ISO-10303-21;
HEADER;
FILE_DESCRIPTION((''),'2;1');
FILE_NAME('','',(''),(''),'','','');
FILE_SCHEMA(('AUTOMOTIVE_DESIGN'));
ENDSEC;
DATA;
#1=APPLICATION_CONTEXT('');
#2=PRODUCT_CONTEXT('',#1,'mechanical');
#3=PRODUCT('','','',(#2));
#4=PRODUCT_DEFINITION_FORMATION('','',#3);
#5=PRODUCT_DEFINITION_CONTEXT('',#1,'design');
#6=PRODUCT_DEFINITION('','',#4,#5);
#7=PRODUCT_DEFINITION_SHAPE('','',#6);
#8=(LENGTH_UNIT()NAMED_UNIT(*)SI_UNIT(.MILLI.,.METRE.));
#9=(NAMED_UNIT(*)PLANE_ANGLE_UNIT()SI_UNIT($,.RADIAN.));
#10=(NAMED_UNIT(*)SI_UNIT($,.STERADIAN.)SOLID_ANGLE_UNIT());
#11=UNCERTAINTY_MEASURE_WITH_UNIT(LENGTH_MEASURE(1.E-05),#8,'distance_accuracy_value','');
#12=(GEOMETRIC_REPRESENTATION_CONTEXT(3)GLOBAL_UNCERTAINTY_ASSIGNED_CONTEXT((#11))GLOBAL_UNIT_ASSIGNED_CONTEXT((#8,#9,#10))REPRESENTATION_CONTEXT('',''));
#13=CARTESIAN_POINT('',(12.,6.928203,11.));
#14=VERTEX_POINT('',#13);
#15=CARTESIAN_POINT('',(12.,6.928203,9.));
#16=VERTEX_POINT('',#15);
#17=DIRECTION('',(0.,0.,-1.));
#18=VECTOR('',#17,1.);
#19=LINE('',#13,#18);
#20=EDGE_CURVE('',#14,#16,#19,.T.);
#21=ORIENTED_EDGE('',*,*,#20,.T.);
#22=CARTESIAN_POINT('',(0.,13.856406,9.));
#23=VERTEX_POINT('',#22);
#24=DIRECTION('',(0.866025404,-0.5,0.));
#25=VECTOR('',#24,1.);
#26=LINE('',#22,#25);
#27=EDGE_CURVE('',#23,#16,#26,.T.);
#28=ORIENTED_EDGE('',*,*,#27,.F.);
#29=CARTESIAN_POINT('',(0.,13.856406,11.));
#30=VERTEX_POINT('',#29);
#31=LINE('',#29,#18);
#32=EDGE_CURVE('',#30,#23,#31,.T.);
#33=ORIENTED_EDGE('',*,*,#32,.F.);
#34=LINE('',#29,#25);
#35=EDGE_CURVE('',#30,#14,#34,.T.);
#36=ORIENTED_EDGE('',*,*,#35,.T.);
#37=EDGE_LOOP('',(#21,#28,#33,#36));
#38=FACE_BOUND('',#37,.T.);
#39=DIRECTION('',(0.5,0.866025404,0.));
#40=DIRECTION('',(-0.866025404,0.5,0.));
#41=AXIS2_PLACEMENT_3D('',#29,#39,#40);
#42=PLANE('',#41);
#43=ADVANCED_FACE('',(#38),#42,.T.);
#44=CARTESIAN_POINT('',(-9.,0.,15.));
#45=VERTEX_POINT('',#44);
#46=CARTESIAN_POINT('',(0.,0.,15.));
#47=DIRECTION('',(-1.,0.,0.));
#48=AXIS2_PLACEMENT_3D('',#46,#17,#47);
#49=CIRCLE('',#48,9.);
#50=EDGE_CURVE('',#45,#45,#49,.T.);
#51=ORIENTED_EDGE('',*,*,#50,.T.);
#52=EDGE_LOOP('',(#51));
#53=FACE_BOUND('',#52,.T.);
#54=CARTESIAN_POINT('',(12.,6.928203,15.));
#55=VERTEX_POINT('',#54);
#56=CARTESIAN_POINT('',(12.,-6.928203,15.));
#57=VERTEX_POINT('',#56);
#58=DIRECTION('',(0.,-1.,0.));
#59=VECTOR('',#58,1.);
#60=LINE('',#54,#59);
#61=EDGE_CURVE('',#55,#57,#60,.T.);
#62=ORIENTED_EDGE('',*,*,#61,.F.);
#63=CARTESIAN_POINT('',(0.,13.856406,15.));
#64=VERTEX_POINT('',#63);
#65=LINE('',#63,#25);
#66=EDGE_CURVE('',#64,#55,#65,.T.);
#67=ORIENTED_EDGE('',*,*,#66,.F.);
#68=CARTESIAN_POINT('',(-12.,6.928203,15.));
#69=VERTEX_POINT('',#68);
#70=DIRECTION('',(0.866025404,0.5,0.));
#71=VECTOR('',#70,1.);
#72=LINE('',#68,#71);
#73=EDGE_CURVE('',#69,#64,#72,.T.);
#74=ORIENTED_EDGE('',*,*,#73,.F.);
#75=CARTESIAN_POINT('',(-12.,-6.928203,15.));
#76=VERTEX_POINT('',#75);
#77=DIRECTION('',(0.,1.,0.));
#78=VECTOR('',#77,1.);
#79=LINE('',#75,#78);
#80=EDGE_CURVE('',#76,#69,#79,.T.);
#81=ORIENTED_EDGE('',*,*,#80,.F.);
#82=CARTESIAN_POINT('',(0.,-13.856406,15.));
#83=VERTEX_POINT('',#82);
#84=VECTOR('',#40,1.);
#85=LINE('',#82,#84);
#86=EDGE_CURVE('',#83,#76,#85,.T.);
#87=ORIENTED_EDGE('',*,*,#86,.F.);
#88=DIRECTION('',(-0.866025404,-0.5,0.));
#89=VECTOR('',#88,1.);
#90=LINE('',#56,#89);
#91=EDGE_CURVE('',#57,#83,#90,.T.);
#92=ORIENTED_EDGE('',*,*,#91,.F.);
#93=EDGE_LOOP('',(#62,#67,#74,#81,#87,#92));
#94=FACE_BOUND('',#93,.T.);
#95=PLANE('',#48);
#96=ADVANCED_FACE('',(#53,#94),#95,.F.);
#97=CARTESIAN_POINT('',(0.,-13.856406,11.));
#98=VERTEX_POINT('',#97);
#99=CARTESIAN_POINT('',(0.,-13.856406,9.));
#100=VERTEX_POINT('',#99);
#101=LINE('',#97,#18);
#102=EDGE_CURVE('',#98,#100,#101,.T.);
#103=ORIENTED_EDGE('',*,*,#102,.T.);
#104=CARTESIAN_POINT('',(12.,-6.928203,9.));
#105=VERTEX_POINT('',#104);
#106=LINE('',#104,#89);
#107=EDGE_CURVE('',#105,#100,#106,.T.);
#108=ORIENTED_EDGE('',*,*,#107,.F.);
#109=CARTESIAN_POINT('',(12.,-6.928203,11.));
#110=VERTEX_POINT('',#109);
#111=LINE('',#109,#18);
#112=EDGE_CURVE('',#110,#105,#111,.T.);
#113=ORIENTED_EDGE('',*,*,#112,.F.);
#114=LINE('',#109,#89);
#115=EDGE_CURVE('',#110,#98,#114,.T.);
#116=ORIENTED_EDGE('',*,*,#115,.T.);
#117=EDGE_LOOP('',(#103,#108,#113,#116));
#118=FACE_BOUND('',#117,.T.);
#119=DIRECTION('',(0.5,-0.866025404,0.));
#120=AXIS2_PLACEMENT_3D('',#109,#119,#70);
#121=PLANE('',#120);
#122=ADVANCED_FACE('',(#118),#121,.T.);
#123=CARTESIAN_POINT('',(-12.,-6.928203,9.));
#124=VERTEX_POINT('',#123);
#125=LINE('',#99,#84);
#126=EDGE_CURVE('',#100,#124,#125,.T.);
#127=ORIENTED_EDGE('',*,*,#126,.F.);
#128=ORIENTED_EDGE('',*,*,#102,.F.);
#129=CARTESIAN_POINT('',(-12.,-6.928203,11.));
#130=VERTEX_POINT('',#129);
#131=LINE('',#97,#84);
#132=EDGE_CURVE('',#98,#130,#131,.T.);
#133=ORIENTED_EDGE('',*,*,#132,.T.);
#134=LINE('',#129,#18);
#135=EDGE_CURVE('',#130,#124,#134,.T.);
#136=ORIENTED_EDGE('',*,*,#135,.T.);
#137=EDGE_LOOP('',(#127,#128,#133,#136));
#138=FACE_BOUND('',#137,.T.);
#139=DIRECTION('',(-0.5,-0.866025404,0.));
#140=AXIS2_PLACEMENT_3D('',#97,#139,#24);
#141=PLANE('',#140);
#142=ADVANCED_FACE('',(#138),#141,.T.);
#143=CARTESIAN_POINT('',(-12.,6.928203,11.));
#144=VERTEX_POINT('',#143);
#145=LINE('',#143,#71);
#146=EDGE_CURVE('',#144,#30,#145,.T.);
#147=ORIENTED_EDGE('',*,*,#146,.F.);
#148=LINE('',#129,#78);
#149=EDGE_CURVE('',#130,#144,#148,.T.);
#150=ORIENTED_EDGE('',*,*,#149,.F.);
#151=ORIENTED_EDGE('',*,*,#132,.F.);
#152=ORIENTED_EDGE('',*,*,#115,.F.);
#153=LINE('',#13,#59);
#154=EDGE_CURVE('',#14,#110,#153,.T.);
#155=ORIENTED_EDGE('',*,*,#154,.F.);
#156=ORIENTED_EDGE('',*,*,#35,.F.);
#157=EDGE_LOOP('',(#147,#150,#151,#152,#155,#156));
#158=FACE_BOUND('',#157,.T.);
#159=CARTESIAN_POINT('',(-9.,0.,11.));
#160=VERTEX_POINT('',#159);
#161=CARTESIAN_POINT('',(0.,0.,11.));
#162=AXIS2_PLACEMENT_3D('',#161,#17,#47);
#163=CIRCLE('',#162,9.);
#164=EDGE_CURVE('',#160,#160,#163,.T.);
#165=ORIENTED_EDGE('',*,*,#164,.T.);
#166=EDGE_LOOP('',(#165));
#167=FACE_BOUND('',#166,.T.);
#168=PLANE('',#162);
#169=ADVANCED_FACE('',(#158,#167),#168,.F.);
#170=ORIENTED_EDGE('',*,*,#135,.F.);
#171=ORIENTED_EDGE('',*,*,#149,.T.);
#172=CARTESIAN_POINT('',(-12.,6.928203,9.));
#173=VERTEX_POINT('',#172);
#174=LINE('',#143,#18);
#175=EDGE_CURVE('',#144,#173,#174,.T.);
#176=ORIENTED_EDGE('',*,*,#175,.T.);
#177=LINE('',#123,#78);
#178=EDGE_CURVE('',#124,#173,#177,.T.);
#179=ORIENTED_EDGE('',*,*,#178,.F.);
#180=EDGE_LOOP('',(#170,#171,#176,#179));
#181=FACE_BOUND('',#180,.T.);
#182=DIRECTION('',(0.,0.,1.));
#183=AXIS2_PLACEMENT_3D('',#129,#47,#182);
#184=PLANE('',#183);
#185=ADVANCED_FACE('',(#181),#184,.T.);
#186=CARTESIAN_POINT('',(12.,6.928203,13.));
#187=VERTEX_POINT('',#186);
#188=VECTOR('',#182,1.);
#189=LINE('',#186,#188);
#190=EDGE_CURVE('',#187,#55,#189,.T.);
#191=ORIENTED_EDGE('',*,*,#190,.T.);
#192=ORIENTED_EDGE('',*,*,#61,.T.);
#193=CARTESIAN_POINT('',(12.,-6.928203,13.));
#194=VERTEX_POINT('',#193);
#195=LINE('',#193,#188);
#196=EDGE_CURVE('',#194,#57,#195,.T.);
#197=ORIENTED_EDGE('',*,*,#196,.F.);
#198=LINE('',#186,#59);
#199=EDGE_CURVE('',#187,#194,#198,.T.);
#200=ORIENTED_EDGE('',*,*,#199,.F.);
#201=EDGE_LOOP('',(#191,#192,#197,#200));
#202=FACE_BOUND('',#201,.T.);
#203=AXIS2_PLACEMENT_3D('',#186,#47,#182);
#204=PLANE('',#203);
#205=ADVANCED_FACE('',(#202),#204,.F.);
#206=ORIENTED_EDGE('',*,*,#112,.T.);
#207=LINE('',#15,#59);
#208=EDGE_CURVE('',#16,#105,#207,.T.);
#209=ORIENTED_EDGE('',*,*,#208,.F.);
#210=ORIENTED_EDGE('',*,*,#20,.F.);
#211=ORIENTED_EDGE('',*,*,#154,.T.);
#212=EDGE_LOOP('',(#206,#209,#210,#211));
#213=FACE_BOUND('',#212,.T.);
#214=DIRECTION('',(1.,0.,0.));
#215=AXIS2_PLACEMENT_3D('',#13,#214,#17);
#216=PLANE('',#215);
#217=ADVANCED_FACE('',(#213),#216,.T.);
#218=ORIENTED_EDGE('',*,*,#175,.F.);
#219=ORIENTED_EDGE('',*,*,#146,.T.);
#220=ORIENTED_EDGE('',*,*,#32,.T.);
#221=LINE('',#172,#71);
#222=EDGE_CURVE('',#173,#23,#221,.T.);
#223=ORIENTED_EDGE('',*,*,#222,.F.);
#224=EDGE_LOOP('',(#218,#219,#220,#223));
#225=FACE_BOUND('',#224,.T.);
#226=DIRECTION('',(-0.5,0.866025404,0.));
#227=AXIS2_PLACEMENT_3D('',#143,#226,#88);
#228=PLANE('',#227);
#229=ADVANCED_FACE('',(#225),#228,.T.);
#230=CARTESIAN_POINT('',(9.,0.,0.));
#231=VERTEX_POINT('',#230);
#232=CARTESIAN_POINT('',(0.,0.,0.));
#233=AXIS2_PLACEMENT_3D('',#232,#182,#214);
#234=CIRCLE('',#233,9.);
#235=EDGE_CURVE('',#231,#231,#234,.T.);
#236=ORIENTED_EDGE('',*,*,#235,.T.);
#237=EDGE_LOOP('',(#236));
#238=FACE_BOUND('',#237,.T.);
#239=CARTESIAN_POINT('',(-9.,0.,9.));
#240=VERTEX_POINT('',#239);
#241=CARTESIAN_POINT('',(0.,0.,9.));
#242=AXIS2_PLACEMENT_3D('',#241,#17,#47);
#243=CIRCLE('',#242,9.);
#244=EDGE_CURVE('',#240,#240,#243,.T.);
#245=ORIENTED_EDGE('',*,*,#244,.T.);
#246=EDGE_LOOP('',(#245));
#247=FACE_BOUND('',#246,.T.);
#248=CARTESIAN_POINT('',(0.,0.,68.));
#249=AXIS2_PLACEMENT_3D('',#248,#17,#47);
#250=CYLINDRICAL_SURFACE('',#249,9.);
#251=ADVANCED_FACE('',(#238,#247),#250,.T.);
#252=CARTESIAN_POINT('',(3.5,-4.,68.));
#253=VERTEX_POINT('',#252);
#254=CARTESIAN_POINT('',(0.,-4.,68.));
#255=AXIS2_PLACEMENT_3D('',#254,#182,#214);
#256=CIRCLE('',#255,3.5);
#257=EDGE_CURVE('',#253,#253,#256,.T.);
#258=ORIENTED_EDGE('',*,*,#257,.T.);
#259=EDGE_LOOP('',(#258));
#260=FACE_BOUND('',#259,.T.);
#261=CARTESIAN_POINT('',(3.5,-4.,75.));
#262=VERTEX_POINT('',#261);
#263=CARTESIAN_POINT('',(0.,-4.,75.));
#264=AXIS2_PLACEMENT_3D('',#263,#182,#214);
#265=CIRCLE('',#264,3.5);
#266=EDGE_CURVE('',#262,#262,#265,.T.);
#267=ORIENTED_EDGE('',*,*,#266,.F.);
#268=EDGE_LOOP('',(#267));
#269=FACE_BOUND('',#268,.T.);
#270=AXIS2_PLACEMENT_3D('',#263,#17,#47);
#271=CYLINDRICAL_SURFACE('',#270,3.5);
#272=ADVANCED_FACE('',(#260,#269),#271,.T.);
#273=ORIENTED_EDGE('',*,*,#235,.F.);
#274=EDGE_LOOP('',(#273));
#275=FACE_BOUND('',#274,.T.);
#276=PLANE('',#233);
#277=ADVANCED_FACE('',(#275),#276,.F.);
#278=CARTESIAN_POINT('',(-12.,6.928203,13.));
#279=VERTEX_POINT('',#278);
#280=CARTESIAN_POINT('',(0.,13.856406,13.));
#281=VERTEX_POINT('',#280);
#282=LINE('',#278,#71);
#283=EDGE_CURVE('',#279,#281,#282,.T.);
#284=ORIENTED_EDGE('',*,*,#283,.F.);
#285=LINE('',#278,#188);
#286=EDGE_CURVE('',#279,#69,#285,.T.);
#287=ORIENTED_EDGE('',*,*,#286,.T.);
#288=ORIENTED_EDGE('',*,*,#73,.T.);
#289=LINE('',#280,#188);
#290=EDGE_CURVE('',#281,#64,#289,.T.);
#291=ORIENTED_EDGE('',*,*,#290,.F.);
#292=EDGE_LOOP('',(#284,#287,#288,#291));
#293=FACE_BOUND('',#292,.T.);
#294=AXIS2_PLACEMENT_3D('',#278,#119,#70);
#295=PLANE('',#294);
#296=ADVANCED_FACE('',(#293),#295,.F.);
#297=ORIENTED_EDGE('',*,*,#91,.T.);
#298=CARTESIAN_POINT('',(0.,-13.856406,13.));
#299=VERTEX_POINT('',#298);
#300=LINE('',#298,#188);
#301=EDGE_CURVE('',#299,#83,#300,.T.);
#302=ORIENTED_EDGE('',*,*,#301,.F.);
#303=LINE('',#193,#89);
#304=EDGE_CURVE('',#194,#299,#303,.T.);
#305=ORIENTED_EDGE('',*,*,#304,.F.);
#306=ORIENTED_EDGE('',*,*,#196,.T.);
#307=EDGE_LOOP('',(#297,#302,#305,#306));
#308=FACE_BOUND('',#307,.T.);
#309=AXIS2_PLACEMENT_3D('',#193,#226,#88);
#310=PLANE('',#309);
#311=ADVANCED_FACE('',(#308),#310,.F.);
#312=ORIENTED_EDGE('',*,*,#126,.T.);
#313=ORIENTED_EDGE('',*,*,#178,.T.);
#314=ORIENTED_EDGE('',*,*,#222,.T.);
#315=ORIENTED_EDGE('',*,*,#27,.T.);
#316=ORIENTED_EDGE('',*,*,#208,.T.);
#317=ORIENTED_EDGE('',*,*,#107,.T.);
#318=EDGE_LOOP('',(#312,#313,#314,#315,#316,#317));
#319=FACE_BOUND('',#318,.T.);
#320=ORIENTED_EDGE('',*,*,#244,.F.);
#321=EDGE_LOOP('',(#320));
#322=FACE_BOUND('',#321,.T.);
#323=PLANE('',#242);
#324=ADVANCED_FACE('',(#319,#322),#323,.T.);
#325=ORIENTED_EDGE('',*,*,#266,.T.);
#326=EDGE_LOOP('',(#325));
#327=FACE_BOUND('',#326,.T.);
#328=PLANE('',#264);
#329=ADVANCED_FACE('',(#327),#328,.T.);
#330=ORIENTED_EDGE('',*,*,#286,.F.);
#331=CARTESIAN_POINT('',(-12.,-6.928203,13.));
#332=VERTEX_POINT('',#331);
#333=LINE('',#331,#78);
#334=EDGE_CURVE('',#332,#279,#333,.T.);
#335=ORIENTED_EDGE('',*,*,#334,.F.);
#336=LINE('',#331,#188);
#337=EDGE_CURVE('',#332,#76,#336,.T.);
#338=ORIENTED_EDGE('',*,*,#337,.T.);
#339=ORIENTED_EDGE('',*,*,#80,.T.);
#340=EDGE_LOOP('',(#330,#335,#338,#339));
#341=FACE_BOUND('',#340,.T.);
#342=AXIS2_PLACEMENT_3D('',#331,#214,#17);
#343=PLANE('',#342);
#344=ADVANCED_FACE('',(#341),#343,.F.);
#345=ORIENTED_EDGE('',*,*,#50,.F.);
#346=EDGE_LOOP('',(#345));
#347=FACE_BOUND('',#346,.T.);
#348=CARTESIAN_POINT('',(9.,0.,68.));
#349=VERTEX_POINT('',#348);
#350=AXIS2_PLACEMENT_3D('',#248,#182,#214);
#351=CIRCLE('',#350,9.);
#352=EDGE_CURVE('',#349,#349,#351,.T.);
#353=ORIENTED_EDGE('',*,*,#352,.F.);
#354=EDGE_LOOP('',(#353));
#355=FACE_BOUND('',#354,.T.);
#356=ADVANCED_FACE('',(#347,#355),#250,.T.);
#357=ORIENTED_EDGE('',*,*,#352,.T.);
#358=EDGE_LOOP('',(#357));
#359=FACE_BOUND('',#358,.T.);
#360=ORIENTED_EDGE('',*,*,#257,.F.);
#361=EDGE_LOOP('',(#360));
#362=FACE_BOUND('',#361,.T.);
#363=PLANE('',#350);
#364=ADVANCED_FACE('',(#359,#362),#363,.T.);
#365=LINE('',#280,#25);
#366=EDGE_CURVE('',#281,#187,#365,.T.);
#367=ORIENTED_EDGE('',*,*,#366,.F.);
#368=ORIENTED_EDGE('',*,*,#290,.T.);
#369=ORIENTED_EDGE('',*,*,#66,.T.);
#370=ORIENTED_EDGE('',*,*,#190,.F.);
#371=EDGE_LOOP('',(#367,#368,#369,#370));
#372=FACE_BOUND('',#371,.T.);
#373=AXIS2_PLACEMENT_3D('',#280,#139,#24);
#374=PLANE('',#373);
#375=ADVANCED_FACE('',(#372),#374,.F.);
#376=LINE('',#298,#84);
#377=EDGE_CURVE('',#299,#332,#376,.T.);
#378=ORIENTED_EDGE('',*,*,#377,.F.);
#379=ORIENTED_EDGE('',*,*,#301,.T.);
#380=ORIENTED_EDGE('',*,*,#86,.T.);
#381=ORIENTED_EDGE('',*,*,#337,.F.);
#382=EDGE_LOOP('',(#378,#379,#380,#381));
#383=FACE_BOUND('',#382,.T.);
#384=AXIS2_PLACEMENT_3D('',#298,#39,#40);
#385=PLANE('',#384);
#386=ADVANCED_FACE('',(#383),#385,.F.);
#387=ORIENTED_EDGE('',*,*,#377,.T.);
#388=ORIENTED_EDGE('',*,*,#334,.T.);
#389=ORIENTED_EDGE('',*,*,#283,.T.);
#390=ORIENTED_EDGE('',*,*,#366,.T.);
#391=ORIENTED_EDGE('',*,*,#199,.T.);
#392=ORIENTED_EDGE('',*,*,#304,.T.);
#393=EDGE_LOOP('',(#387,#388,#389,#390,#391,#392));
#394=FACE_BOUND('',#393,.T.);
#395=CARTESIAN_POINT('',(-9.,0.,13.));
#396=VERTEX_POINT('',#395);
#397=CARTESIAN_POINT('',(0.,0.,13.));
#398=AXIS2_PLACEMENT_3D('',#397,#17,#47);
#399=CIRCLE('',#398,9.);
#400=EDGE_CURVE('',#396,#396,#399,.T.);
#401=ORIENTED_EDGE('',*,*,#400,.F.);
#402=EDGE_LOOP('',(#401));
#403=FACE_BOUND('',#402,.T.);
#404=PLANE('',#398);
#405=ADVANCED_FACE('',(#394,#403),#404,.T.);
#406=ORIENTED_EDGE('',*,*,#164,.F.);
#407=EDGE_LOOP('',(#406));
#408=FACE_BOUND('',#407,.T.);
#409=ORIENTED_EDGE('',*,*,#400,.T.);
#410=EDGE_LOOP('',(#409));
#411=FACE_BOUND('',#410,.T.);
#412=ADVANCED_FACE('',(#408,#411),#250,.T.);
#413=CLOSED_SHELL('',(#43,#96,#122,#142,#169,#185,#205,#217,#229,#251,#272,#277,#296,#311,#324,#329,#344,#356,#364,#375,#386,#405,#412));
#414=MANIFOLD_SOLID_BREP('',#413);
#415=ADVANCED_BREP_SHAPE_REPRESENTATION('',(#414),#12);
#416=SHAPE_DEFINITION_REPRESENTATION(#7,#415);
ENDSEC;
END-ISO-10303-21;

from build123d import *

# Parameters (mm, degrees)
SKETCH1_R           = 9
BOSS_EXTRUDE1_DEPTH = 68
SKETCH2_R           = 3.5
BOSS_EXTRUDE2_DEPTH = 7
BOSS_EXTRUDE3_DEPTH = 2
BOSS_EXTRUDE4_START = -6
BOSS_EXTRUDE4_DEPTH = 2


with BuildPart() as part:
    # Sketch1 → Boss-Extrude1 (new body)
    with BuildSketch(Plane.XY):
        Circle(SKETCH1_R)
    extrude(amount=BOSS_EXTRUDE1_DEPTH)

    # Sketch2 → Boss-Extrude2 (add)
    with BuildSketch(Plane.XY.offset(68)):
        with Locations((0, -4)):
            Circle(SKETCH2_R)
    extrude(amount=BOSS_EXTRUDE2_DEPTH)

    # Sketch4 → Boss-Extrude3 (add)
    with BuildSketch(Plane(origin=(0, 0, 9), x_dir=(-1, 0, 0), z_dir=(0, 0, -1))):
        Polygon((-12, 6.92820323), (-12, -6.92820323), (0, -13.856406461), (12, -6.92820323), (12, 6.92820323), (0, 13.856406461), align=None)
    extrude(amount=-BOSS_EXTRUDE3_DEPTH)

    # Sketch4<2> → Boss-Extrude4 (add)
    with BuildSketch(Plane(origin=(0, 0, 9), x_dir=(-1, 0, 0), z_dir=(0, 0, -1)).offset(BOSS_EXTRUDE4_START)):
        Polygon((-12, 6.92820323), (-12, -6.92820323), (0, -13.856406461), (12, -6.92820323), (12, 6.92820323), (0, 13.856406461), align=None)
    extrude(amount=BOSS_EXTRUDE4_DEPTH)


solid = part.part
